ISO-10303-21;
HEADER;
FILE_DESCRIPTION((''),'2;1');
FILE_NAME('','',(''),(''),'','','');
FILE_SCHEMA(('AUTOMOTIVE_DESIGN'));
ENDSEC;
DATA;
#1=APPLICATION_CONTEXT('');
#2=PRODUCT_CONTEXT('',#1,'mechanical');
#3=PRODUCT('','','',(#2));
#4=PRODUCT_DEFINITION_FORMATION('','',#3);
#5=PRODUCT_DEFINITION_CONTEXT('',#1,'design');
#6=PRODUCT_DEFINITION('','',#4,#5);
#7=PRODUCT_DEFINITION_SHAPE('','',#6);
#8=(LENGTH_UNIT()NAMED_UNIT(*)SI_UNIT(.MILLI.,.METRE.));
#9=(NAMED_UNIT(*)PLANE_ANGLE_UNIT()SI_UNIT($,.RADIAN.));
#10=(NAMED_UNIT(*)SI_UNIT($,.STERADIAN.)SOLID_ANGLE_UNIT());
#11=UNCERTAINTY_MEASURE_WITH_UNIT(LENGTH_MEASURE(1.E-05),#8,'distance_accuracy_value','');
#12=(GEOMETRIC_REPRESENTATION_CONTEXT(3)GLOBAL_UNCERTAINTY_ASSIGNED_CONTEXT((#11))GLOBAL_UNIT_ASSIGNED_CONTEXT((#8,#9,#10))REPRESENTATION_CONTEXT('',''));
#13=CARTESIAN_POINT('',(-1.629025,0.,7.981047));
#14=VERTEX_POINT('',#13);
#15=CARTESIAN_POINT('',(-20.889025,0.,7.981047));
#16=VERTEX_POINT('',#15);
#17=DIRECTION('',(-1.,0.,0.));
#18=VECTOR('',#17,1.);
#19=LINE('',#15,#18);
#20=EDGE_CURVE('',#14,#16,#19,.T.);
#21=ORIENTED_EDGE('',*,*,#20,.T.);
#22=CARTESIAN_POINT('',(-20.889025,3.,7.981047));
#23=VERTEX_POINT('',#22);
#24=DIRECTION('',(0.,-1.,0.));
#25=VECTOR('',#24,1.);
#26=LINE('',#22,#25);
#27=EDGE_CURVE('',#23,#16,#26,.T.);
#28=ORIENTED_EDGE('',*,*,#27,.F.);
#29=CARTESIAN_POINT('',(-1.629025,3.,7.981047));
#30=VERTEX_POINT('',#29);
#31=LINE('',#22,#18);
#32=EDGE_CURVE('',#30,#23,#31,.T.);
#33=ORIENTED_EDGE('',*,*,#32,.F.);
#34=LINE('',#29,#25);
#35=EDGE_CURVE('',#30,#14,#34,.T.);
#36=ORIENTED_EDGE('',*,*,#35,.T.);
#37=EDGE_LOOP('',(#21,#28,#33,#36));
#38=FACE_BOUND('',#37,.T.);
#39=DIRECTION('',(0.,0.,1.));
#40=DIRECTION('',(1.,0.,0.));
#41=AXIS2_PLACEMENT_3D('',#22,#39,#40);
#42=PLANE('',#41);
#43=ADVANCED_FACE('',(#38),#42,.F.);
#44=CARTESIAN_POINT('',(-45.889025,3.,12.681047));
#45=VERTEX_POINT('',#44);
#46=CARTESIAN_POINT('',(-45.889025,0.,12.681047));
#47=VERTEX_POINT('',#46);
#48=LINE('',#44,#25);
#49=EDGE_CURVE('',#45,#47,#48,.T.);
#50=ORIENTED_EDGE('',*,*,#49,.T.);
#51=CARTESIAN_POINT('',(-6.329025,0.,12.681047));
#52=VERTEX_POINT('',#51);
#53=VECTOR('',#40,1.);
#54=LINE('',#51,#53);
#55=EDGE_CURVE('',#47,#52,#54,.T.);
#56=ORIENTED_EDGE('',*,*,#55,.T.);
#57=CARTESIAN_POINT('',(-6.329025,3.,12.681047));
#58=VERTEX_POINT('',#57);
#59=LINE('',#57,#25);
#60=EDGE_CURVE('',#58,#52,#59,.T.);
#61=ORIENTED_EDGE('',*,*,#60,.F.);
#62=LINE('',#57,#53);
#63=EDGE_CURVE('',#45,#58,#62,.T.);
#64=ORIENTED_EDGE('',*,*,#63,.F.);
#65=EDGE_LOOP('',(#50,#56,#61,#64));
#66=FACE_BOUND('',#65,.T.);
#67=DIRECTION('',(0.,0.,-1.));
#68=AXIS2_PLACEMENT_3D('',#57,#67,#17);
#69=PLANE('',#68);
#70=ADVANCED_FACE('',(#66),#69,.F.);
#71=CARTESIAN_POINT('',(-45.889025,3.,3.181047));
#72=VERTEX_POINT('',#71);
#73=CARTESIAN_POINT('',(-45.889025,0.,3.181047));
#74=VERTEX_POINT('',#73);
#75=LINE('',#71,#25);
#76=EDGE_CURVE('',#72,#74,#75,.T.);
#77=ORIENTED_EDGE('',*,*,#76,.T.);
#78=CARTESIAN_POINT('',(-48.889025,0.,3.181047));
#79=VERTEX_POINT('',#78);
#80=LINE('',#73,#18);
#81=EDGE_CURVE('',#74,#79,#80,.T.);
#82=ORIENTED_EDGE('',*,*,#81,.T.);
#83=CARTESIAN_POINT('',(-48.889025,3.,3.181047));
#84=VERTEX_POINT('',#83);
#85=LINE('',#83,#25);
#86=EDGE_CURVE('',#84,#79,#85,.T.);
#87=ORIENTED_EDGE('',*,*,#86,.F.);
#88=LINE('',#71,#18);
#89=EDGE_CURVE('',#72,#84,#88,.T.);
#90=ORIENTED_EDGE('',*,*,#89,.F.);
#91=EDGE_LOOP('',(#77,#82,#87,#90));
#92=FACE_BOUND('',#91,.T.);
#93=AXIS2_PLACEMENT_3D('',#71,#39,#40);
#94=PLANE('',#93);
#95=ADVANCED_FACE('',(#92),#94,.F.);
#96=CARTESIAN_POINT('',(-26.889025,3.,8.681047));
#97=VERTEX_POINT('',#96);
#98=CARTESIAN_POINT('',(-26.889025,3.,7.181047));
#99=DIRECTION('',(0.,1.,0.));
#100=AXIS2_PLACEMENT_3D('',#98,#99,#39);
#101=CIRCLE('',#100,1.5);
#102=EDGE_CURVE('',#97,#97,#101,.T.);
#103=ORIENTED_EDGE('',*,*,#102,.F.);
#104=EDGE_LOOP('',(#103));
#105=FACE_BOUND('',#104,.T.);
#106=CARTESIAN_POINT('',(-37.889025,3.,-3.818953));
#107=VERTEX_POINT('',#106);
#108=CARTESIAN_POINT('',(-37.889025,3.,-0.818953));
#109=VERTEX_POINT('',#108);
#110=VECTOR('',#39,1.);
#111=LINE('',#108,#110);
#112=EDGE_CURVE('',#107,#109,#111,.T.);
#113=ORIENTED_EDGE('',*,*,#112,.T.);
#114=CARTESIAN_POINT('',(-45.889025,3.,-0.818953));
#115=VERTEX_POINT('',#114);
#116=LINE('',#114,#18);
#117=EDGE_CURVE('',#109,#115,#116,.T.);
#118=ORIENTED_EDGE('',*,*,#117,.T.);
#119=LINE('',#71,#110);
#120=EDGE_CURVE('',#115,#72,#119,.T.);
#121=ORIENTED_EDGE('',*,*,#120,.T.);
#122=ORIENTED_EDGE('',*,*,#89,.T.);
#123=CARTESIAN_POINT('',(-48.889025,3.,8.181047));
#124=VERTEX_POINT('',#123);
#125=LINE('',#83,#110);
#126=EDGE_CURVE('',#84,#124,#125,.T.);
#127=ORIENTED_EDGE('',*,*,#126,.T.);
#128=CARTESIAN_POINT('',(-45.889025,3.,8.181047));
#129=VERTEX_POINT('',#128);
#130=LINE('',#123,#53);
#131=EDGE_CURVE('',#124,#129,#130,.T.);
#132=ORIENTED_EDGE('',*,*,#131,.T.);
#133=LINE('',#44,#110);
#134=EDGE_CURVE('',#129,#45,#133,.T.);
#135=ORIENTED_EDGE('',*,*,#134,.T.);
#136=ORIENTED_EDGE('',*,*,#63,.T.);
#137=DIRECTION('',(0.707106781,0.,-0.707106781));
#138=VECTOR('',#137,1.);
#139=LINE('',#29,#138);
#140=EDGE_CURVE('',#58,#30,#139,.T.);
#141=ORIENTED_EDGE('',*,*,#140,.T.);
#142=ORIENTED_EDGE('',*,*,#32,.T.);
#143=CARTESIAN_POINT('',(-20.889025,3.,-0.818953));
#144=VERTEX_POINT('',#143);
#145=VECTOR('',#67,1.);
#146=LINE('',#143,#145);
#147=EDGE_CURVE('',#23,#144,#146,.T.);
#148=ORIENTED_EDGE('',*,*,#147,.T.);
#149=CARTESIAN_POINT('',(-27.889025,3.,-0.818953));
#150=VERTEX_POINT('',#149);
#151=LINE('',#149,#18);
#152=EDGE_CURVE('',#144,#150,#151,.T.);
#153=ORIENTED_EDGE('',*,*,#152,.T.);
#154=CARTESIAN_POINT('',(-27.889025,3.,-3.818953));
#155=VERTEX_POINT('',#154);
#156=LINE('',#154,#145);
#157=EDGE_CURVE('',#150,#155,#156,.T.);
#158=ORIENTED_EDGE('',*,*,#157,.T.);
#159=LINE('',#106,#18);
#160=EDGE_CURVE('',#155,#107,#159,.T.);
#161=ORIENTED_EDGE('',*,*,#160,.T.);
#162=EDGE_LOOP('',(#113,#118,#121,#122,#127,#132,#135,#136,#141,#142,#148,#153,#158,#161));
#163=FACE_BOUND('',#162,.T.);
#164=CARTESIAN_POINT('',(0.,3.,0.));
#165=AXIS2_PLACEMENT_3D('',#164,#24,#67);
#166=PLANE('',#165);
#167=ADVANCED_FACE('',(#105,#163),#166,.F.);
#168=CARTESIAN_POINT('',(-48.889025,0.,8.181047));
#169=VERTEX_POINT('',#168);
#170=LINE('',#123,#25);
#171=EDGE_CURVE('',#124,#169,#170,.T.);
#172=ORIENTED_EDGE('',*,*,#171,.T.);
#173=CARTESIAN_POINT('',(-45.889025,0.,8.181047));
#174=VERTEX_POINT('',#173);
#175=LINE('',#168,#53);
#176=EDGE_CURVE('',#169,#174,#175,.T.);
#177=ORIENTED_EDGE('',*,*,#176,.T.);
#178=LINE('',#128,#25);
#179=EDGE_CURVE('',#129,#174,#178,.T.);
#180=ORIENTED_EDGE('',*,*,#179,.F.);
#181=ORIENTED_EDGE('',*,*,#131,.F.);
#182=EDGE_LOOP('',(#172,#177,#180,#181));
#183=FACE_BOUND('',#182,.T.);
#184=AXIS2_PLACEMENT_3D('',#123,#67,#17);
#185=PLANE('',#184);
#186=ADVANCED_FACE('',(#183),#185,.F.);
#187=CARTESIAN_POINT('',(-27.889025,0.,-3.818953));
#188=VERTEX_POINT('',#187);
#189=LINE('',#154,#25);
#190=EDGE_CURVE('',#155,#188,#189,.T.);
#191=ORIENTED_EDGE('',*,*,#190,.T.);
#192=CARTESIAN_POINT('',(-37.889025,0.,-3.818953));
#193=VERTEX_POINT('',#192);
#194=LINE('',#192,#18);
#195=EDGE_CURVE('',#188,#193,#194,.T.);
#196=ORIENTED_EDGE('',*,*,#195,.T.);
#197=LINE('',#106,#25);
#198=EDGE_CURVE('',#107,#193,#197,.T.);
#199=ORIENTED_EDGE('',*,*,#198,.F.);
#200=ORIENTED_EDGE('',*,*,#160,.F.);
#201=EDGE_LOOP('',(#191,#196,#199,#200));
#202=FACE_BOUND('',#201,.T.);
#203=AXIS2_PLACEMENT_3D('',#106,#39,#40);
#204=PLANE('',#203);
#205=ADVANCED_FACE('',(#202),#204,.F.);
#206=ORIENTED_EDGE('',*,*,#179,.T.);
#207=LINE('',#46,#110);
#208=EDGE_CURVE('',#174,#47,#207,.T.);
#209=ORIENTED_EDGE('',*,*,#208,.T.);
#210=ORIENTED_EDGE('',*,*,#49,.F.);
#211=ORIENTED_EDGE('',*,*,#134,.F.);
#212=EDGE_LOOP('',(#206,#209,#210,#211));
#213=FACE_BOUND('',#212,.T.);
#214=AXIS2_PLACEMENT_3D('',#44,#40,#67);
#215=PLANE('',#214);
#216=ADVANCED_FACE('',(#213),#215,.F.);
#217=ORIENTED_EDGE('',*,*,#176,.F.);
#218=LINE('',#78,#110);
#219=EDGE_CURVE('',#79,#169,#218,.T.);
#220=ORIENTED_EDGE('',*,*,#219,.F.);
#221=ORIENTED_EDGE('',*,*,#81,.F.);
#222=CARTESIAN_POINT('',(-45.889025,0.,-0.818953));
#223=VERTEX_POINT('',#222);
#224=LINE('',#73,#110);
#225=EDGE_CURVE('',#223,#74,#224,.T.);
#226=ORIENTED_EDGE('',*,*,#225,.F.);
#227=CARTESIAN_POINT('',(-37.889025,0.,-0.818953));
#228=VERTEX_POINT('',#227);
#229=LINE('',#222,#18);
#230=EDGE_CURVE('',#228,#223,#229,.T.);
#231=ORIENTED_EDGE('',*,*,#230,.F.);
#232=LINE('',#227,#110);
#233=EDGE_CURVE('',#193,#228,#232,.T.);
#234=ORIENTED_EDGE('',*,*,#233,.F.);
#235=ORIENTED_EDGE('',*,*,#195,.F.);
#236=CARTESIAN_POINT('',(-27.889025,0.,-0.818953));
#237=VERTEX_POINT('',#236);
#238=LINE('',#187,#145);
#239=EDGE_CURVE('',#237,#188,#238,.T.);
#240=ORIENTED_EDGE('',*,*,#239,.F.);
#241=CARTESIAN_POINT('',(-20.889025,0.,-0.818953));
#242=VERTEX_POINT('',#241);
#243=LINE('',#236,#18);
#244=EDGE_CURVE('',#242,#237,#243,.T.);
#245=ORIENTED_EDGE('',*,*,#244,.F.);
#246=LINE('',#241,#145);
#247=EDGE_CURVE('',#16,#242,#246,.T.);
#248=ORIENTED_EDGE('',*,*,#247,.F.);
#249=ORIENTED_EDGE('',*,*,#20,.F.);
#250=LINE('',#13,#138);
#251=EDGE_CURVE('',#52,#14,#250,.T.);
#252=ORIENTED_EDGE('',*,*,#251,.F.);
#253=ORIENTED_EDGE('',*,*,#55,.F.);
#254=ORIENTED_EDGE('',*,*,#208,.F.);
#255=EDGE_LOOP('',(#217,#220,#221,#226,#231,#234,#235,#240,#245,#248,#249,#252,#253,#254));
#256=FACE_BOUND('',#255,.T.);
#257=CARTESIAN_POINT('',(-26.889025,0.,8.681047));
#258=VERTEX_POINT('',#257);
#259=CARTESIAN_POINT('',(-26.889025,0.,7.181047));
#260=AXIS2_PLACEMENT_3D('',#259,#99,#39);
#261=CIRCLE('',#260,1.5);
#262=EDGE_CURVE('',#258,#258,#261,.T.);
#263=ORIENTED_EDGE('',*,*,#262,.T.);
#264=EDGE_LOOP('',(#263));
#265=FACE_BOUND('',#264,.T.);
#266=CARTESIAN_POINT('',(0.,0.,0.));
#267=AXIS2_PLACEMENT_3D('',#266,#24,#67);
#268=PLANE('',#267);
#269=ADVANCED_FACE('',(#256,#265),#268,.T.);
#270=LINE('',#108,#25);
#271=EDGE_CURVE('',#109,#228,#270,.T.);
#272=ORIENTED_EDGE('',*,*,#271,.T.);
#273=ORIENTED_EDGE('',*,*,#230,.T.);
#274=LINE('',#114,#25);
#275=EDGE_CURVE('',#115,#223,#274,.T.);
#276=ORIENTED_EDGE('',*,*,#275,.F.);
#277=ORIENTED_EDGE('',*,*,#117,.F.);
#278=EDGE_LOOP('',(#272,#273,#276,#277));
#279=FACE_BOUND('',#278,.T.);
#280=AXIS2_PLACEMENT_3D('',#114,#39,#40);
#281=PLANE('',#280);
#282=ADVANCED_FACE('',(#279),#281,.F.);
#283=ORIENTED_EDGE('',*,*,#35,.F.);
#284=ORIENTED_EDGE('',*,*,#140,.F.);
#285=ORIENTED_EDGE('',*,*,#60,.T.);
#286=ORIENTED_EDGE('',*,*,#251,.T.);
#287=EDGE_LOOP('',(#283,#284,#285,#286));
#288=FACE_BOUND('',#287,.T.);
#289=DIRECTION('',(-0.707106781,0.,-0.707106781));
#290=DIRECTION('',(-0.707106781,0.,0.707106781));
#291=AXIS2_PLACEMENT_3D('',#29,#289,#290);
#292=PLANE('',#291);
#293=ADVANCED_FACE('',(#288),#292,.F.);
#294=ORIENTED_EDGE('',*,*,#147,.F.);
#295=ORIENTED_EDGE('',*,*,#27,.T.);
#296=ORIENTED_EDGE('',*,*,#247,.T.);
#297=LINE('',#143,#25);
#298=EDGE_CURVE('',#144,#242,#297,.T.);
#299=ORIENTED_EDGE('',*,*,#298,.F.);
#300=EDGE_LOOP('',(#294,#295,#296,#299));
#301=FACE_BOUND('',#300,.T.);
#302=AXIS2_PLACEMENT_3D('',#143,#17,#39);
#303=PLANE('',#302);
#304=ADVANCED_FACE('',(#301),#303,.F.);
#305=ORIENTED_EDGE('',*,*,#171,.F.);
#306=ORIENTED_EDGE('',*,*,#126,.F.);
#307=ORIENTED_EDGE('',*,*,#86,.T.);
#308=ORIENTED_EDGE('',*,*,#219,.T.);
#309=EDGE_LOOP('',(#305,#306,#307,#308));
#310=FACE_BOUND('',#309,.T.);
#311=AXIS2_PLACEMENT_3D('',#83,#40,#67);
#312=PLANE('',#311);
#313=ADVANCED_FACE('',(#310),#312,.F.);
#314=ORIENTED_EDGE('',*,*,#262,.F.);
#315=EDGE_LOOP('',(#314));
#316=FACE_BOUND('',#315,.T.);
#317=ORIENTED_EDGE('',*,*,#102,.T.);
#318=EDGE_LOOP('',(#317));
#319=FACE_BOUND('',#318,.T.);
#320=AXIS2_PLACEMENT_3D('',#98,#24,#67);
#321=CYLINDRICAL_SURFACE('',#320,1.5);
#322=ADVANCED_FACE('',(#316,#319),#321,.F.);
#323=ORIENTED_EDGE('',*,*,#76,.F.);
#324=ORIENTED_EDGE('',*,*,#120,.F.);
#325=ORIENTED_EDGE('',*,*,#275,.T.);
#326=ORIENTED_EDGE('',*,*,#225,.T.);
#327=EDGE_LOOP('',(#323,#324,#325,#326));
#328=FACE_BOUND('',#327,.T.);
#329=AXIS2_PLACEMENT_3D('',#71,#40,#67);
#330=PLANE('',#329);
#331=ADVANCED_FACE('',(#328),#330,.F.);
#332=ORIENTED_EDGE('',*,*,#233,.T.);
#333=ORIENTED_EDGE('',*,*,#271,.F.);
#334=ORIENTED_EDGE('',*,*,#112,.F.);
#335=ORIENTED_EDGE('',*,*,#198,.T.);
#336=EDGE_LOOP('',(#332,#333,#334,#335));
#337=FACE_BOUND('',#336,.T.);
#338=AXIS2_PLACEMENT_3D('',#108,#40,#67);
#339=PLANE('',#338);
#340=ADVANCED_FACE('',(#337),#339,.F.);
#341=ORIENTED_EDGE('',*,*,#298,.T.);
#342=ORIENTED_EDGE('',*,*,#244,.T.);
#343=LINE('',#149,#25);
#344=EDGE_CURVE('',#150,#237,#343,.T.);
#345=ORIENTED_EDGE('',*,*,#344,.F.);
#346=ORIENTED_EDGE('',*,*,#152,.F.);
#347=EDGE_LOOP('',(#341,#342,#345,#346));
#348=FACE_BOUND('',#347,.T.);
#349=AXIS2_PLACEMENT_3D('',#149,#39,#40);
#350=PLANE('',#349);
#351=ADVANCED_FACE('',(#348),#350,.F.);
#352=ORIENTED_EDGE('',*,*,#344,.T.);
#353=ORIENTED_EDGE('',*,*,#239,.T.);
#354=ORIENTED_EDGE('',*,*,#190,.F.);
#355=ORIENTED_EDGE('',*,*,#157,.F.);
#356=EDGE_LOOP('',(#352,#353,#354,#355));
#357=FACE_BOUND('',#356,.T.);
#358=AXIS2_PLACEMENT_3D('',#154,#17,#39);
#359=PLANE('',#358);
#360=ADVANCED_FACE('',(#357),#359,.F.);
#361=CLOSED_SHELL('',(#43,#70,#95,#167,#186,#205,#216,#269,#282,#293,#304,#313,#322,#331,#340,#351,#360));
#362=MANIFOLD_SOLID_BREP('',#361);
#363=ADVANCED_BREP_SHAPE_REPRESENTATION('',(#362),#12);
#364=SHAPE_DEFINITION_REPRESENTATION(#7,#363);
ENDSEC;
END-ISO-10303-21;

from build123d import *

# Parameters (mm, degrees)
SKETCH1_R           = 1.5
BOSS_EXTRUDE1_DEPTH = 3


with BuildPart() as part:
    # Sketch1 → Boss-Extrude1 (new body)
    with BuildSketch(Plane(origin=(0, 0, 0), x_dir=(1, 0, 0), z_dir=(0, 1, 0))):
        Polygon((-37.889024654, 3.81895344), (-27.889024654, 3.81895344), (-27.889024654, 0.81895344), (-20.889024654, 0.81895344), (-20.889024654, -7.98104656), (-1.629024654, -7.98104656), (-6.329024654, -12.68104656), (-45.889024654, -12.68104656), (-45.889024654, -8.18104656), (-48.889024654, -8.18104656), (-48.889024654, -3.18104656), (-45.889024654, -3.18104656), (-45.889024654, 0.81895344), (-37.889024654, 0.81895344), align=None)
        with Locations((-26.889024654, -7.18104656)):
            Circle(SKETCH1_R, mode=Mode.SUBTRACT)
    extrude(amount=BOSS_EXTRUDE1_DEPTH)


solid = part.part
